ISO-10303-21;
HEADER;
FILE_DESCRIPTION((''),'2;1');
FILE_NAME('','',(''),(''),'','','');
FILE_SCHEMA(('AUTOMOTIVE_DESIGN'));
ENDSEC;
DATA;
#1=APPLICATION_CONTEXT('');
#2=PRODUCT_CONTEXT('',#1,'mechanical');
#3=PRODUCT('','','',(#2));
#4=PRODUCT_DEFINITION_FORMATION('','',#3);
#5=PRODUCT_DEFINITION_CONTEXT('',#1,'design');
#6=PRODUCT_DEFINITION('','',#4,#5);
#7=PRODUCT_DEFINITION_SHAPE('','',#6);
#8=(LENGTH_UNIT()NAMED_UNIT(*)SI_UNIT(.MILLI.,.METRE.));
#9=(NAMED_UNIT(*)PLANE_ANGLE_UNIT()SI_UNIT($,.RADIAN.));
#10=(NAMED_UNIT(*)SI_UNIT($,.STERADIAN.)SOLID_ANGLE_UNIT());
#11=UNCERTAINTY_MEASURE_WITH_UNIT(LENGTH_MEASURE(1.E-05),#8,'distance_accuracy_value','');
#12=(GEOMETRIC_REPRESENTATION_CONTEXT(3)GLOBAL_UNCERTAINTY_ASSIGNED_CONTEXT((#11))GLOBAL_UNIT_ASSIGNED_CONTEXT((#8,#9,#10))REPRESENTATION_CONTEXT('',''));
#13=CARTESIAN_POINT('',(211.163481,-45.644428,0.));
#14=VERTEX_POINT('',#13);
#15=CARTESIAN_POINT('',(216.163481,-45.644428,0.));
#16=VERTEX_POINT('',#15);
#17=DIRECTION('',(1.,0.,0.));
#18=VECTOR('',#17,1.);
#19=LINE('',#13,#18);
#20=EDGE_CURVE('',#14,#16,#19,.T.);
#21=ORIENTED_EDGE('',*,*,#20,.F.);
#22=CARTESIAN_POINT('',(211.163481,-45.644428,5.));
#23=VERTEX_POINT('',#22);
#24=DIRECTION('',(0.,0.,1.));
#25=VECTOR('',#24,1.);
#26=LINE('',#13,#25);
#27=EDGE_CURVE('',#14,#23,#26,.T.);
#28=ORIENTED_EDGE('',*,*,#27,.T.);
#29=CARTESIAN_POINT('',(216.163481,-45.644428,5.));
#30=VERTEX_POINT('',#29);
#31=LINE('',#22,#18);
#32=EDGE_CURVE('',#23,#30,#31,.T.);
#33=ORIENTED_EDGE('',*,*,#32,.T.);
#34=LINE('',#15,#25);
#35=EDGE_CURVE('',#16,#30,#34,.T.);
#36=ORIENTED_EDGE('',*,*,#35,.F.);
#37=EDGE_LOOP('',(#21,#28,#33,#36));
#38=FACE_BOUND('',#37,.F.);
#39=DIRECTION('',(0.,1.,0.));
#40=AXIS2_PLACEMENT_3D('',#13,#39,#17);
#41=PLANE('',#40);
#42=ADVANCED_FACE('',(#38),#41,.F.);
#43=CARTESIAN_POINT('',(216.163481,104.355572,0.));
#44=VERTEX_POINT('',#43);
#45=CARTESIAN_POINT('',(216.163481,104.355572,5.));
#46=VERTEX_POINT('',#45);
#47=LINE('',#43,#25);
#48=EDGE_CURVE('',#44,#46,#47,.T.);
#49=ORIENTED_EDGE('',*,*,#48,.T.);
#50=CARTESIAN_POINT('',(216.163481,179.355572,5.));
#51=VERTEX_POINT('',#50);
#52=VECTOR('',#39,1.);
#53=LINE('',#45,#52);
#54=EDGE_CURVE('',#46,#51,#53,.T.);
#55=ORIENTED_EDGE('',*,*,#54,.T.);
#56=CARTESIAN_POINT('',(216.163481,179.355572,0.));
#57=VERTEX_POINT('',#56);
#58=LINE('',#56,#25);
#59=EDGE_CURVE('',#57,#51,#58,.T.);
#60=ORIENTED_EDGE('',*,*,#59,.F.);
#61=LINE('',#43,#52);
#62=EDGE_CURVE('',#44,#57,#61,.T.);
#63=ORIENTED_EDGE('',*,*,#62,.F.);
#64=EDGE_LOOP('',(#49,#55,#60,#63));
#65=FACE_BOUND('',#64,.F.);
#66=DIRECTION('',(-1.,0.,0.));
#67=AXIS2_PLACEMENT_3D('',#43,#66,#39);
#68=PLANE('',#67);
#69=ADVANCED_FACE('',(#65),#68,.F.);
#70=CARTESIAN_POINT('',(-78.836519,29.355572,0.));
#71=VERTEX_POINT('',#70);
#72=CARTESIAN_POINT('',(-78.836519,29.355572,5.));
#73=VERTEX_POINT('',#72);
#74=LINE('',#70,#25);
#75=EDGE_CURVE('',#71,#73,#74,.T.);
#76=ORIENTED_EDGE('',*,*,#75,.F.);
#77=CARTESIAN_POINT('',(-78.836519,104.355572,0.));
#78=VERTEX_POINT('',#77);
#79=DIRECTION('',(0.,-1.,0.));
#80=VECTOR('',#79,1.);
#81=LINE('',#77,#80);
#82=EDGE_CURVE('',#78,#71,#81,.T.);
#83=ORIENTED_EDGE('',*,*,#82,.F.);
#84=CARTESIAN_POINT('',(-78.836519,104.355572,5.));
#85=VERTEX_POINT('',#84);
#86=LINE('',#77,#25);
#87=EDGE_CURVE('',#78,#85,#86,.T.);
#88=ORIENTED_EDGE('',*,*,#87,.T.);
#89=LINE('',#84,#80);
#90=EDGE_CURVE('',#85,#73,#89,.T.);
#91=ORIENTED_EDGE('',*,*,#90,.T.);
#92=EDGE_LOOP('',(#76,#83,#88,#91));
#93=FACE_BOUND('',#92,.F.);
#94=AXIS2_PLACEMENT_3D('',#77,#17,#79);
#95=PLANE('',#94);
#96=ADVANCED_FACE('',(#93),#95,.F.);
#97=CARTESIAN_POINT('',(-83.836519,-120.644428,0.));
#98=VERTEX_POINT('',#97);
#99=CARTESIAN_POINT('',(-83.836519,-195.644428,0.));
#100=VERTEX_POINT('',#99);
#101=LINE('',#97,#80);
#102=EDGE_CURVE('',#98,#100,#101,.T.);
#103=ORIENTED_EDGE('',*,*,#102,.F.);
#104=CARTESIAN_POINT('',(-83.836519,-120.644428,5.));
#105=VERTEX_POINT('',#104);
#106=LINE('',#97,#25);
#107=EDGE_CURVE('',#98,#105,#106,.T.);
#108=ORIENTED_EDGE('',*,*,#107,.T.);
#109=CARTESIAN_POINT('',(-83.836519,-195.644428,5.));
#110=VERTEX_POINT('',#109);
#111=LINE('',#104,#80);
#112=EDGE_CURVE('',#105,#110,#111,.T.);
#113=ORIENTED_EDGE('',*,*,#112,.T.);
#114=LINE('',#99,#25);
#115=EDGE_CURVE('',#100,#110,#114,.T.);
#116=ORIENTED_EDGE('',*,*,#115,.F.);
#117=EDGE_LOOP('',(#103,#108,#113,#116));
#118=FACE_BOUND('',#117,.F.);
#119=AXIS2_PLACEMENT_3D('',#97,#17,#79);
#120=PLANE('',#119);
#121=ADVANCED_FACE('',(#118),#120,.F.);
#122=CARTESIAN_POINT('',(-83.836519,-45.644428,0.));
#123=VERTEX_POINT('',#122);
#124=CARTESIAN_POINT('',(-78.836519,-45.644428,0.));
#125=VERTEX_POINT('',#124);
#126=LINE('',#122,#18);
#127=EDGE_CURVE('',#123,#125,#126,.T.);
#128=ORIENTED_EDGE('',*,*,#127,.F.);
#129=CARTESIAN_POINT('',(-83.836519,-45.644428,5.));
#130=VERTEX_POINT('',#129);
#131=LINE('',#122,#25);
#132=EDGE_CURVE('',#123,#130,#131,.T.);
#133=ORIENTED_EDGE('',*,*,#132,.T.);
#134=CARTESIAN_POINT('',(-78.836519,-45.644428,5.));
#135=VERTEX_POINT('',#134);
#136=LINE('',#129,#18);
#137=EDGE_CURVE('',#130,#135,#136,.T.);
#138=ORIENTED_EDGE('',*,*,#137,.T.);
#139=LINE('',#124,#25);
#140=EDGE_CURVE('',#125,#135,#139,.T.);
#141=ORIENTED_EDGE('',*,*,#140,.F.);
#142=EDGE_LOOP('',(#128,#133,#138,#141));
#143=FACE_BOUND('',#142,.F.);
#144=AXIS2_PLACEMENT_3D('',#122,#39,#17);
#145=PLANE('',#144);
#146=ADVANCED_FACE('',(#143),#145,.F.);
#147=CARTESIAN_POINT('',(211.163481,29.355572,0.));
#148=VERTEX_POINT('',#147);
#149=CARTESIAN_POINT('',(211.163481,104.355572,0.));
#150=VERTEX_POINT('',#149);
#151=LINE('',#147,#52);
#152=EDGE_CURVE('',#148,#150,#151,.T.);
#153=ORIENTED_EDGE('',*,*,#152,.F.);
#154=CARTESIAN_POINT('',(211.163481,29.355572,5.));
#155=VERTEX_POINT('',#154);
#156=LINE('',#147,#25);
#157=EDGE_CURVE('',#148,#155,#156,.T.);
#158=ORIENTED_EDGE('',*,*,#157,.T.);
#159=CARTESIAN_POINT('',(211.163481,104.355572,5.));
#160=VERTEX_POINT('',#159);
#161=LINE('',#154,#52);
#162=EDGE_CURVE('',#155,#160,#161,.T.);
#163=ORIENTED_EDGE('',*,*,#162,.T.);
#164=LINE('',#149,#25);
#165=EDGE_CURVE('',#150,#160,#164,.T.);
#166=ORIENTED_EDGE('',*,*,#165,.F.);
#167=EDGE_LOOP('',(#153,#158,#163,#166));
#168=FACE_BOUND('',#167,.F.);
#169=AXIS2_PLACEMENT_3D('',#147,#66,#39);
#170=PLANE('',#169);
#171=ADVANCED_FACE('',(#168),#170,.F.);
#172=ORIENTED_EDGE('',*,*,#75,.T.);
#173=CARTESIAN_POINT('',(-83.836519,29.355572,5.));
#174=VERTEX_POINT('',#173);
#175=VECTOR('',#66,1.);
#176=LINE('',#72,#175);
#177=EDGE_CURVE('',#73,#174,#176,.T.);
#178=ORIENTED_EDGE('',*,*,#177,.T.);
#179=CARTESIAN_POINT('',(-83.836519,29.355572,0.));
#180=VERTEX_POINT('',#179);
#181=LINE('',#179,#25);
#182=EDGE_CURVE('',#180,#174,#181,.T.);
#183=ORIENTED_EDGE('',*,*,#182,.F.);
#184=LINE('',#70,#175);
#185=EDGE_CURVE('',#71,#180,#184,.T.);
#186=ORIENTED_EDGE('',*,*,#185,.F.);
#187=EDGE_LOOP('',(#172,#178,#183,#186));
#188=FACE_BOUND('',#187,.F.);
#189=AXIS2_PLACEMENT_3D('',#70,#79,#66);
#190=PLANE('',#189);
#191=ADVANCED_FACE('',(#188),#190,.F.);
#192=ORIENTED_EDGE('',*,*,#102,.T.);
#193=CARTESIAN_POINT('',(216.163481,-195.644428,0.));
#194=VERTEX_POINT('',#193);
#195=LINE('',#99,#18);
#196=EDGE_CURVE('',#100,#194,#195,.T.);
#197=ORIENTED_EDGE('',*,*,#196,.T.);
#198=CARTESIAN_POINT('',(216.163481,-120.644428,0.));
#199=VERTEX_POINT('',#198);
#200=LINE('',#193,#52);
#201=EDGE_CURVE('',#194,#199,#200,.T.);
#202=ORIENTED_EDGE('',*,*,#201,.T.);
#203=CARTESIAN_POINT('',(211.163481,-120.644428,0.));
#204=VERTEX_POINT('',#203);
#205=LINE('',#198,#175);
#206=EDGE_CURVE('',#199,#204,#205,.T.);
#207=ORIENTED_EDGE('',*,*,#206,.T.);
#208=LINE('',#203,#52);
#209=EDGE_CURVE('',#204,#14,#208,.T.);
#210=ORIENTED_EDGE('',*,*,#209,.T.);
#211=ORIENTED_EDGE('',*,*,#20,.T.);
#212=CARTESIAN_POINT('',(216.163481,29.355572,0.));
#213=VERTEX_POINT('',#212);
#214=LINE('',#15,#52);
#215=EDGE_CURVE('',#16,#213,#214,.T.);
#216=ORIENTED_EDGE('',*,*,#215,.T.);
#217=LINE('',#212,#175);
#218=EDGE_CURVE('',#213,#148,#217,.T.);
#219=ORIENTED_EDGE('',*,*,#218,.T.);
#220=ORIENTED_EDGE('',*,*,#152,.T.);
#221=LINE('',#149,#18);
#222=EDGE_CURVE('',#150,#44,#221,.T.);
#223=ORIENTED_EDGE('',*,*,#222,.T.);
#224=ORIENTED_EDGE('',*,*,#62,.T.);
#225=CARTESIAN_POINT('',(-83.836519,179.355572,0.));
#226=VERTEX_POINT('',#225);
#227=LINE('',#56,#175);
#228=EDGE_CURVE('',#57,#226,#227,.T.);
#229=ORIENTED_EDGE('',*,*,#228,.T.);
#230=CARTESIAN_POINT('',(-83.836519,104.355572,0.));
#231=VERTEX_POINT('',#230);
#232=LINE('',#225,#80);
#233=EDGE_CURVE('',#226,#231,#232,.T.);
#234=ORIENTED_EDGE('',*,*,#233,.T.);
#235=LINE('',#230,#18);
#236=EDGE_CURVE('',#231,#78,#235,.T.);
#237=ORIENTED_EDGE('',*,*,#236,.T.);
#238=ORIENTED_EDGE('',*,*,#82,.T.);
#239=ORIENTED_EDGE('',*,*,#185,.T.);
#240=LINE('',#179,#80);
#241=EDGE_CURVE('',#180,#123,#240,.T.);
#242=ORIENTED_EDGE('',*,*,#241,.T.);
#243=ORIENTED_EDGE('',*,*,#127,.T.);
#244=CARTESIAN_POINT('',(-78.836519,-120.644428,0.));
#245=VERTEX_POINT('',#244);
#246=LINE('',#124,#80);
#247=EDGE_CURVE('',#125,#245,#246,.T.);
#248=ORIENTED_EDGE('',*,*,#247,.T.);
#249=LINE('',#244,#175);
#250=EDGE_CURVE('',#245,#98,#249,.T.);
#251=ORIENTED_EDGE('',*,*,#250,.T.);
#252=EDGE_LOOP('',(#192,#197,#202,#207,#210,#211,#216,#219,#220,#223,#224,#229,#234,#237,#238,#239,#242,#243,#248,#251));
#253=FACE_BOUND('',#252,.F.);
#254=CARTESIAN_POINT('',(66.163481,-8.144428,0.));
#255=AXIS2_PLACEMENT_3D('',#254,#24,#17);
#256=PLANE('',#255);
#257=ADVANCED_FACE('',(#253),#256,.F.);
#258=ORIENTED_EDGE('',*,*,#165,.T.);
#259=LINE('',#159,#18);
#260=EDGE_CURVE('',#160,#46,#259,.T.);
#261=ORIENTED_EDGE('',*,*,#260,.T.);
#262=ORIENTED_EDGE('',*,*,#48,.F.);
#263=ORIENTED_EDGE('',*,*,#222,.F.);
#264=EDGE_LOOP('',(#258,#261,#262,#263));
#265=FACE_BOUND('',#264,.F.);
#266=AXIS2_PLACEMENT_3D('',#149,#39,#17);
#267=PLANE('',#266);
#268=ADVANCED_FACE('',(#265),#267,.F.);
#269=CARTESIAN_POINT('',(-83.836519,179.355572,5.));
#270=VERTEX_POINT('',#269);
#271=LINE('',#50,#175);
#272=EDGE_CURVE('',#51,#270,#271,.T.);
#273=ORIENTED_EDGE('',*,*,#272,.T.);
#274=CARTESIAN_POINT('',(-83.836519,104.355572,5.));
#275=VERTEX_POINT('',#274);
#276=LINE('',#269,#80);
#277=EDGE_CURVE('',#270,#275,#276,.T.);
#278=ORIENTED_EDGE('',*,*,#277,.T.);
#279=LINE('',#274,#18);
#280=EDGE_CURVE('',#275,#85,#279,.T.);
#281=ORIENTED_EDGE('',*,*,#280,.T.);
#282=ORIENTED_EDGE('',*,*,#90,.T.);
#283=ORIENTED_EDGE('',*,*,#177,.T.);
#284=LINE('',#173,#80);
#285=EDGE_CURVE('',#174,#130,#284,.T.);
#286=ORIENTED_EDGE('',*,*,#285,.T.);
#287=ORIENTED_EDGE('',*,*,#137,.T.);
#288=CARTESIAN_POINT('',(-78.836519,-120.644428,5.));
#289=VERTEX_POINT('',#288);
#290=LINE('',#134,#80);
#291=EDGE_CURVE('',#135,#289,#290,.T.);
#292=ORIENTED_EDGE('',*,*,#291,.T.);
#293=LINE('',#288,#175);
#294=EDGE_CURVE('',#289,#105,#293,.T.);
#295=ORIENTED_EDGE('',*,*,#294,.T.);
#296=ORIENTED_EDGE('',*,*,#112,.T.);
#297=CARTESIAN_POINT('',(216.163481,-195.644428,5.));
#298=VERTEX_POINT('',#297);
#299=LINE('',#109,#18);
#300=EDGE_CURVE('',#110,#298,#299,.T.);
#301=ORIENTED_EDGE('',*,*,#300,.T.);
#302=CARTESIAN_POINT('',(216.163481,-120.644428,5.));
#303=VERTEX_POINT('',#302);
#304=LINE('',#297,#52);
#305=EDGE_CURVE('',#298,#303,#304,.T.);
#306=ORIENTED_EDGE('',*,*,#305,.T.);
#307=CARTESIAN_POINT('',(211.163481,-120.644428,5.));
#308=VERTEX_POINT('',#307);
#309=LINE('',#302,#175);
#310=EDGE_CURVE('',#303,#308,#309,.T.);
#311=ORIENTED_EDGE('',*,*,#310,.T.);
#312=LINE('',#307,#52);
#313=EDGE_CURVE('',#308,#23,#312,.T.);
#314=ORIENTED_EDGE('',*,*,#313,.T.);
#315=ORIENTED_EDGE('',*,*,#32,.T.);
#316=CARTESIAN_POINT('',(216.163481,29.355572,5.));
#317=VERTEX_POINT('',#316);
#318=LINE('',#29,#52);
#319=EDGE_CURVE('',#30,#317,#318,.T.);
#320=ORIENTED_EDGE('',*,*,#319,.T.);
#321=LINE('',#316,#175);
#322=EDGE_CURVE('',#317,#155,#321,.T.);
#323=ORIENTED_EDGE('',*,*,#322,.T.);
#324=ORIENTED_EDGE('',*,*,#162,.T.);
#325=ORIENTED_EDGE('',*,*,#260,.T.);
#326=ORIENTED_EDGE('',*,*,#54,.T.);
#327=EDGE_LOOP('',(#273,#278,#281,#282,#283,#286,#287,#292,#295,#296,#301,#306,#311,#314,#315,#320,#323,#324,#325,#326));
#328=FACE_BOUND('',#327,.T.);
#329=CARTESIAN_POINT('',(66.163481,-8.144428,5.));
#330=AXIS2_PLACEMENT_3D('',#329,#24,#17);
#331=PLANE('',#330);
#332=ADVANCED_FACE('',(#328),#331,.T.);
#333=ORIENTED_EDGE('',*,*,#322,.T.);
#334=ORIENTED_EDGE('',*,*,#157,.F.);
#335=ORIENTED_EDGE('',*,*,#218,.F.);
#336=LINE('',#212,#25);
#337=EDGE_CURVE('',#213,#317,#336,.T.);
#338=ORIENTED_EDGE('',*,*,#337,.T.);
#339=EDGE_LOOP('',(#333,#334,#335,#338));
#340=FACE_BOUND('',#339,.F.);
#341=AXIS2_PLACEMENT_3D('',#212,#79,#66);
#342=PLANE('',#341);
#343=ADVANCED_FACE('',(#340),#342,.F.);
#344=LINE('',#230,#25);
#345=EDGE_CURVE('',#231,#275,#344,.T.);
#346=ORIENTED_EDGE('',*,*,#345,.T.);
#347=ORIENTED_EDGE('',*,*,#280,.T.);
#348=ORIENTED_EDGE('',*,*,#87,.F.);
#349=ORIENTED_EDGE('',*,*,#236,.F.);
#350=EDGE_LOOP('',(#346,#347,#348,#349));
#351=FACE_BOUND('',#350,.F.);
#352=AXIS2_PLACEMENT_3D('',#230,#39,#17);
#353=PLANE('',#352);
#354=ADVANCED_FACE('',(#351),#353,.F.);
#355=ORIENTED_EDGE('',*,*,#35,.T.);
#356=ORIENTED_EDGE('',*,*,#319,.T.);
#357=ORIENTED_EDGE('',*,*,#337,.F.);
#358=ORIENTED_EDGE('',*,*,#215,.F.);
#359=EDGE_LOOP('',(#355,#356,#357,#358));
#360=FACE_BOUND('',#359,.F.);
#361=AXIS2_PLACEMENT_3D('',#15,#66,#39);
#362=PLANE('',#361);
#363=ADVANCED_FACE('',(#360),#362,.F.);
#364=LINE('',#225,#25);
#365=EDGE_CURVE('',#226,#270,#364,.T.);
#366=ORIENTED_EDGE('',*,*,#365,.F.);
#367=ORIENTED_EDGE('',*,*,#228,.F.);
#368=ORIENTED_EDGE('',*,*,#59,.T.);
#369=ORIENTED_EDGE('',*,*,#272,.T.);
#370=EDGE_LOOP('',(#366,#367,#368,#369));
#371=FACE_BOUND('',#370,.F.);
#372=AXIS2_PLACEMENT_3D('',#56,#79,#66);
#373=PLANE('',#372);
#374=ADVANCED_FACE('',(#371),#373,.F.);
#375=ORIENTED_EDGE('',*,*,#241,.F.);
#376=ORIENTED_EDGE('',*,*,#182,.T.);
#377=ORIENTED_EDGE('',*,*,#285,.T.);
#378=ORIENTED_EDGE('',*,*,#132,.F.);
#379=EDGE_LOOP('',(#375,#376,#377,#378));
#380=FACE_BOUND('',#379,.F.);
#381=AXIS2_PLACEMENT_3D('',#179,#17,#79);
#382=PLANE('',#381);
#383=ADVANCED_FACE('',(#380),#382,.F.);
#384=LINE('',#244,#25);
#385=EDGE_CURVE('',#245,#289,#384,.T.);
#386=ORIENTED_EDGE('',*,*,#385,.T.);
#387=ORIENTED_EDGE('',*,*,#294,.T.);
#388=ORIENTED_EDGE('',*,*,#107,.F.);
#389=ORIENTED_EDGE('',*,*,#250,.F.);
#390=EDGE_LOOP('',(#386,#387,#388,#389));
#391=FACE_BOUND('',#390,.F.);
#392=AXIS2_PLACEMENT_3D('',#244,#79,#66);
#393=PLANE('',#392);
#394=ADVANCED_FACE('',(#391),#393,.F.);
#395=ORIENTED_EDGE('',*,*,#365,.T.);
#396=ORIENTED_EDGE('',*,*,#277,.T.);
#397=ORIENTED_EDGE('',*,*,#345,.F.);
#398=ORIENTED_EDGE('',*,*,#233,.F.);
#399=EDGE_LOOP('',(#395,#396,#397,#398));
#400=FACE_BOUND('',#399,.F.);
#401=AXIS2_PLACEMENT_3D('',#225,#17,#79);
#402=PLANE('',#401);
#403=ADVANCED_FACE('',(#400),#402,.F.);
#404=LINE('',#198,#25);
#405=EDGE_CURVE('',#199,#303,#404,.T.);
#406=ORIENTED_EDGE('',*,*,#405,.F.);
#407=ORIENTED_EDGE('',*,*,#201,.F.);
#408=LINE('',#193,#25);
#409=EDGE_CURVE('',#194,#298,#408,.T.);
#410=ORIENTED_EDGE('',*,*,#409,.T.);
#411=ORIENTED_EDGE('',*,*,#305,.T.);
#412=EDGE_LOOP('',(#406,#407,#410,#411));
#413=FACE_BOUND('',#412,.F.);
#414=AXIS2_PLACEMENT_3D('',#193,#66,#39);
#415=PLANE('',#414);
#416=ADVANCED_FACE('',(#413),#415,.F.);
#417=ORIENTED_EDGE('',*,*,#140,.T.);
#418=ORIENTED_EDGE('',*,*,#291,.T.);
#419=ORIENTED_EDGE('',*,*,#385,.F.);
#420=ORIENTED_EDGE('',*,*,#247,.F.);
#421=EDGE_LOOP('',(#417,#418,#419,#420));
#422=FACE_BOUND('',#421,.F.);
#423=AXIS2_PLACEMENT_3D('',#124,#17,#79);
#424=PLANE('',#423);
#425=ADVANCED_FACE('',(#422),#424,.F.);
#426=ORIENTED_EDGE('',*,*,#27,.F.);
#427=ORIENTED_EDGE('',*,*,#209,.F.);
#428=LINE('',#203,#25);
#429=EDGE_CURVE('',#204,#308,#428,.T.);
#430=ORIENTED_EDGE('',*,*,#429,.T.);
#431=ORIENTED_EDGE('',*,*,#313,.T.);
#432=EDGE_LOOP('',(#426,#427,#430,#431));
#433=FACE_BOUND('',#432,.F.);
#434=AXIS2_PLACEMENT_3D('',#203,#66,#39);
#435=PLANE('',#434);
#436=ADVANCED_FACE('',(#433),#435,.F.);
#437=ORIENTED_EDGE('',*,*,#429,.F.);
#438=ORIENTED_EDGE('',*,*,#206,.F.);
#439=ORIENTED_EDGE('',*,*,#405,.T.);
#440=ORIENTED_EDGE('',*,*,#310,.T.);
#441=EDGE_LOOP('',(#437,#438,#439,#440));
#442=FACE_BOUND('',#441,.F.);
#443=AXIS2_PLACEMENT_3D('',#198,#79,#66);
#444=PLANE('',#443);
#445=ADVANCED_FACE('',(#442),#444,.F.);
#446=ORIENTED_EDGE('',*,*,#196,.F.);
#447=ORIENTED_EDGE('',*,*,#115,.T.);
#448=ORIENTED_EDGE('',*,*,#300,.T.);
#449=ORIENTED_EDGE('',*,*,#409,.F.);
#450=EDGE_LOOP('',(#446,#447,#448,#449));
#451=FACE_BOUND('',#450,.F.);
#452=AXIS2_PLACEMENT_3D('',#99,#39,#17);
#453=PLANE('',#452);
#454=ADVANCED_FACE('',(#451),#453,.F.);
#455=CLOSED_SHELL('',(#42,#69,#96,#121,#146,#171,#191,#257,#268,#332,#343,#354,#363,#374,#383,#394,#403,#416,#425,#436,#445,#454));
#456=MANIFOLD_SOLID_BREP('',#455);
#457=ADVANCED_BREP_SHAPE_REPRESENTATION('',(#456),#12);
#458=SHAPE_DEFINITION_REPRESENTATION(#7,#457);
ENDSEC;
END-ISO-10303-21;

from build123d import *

# Parameters (mm, degrees)
PAD_DEPTH = 5


with BuildPart() as part:
    # CopySketch → Pad (new body)
    with BuildSketch(Plane.XY):
        Polygon((-83.836519, 179.355572), (-83.836519, 104.355572), (-78.836519, 104.355572), (-78.836519, 29.355572), (-83.836519, 29.355572), (-83.836519, -45.644428), (-78.836519, -45.644428), (-78.836519, -120.644428), (-83.836519, -120.644428), (-83.836519, -195.644428), (216.163481, -195.644428), (216.163481, -120.644428), (211.163481, -120.644428), (211.163481, -45.644428), (216.163481, -45.644428), (216.163481, 29.355572), (211.163481, 29.355572), (211.163481, 104.355572), (216.163481, 104.355572), (216.163481, 179.355572), align=None)
    extrude(amount=PAD_DEPTH)


solid = part.part
